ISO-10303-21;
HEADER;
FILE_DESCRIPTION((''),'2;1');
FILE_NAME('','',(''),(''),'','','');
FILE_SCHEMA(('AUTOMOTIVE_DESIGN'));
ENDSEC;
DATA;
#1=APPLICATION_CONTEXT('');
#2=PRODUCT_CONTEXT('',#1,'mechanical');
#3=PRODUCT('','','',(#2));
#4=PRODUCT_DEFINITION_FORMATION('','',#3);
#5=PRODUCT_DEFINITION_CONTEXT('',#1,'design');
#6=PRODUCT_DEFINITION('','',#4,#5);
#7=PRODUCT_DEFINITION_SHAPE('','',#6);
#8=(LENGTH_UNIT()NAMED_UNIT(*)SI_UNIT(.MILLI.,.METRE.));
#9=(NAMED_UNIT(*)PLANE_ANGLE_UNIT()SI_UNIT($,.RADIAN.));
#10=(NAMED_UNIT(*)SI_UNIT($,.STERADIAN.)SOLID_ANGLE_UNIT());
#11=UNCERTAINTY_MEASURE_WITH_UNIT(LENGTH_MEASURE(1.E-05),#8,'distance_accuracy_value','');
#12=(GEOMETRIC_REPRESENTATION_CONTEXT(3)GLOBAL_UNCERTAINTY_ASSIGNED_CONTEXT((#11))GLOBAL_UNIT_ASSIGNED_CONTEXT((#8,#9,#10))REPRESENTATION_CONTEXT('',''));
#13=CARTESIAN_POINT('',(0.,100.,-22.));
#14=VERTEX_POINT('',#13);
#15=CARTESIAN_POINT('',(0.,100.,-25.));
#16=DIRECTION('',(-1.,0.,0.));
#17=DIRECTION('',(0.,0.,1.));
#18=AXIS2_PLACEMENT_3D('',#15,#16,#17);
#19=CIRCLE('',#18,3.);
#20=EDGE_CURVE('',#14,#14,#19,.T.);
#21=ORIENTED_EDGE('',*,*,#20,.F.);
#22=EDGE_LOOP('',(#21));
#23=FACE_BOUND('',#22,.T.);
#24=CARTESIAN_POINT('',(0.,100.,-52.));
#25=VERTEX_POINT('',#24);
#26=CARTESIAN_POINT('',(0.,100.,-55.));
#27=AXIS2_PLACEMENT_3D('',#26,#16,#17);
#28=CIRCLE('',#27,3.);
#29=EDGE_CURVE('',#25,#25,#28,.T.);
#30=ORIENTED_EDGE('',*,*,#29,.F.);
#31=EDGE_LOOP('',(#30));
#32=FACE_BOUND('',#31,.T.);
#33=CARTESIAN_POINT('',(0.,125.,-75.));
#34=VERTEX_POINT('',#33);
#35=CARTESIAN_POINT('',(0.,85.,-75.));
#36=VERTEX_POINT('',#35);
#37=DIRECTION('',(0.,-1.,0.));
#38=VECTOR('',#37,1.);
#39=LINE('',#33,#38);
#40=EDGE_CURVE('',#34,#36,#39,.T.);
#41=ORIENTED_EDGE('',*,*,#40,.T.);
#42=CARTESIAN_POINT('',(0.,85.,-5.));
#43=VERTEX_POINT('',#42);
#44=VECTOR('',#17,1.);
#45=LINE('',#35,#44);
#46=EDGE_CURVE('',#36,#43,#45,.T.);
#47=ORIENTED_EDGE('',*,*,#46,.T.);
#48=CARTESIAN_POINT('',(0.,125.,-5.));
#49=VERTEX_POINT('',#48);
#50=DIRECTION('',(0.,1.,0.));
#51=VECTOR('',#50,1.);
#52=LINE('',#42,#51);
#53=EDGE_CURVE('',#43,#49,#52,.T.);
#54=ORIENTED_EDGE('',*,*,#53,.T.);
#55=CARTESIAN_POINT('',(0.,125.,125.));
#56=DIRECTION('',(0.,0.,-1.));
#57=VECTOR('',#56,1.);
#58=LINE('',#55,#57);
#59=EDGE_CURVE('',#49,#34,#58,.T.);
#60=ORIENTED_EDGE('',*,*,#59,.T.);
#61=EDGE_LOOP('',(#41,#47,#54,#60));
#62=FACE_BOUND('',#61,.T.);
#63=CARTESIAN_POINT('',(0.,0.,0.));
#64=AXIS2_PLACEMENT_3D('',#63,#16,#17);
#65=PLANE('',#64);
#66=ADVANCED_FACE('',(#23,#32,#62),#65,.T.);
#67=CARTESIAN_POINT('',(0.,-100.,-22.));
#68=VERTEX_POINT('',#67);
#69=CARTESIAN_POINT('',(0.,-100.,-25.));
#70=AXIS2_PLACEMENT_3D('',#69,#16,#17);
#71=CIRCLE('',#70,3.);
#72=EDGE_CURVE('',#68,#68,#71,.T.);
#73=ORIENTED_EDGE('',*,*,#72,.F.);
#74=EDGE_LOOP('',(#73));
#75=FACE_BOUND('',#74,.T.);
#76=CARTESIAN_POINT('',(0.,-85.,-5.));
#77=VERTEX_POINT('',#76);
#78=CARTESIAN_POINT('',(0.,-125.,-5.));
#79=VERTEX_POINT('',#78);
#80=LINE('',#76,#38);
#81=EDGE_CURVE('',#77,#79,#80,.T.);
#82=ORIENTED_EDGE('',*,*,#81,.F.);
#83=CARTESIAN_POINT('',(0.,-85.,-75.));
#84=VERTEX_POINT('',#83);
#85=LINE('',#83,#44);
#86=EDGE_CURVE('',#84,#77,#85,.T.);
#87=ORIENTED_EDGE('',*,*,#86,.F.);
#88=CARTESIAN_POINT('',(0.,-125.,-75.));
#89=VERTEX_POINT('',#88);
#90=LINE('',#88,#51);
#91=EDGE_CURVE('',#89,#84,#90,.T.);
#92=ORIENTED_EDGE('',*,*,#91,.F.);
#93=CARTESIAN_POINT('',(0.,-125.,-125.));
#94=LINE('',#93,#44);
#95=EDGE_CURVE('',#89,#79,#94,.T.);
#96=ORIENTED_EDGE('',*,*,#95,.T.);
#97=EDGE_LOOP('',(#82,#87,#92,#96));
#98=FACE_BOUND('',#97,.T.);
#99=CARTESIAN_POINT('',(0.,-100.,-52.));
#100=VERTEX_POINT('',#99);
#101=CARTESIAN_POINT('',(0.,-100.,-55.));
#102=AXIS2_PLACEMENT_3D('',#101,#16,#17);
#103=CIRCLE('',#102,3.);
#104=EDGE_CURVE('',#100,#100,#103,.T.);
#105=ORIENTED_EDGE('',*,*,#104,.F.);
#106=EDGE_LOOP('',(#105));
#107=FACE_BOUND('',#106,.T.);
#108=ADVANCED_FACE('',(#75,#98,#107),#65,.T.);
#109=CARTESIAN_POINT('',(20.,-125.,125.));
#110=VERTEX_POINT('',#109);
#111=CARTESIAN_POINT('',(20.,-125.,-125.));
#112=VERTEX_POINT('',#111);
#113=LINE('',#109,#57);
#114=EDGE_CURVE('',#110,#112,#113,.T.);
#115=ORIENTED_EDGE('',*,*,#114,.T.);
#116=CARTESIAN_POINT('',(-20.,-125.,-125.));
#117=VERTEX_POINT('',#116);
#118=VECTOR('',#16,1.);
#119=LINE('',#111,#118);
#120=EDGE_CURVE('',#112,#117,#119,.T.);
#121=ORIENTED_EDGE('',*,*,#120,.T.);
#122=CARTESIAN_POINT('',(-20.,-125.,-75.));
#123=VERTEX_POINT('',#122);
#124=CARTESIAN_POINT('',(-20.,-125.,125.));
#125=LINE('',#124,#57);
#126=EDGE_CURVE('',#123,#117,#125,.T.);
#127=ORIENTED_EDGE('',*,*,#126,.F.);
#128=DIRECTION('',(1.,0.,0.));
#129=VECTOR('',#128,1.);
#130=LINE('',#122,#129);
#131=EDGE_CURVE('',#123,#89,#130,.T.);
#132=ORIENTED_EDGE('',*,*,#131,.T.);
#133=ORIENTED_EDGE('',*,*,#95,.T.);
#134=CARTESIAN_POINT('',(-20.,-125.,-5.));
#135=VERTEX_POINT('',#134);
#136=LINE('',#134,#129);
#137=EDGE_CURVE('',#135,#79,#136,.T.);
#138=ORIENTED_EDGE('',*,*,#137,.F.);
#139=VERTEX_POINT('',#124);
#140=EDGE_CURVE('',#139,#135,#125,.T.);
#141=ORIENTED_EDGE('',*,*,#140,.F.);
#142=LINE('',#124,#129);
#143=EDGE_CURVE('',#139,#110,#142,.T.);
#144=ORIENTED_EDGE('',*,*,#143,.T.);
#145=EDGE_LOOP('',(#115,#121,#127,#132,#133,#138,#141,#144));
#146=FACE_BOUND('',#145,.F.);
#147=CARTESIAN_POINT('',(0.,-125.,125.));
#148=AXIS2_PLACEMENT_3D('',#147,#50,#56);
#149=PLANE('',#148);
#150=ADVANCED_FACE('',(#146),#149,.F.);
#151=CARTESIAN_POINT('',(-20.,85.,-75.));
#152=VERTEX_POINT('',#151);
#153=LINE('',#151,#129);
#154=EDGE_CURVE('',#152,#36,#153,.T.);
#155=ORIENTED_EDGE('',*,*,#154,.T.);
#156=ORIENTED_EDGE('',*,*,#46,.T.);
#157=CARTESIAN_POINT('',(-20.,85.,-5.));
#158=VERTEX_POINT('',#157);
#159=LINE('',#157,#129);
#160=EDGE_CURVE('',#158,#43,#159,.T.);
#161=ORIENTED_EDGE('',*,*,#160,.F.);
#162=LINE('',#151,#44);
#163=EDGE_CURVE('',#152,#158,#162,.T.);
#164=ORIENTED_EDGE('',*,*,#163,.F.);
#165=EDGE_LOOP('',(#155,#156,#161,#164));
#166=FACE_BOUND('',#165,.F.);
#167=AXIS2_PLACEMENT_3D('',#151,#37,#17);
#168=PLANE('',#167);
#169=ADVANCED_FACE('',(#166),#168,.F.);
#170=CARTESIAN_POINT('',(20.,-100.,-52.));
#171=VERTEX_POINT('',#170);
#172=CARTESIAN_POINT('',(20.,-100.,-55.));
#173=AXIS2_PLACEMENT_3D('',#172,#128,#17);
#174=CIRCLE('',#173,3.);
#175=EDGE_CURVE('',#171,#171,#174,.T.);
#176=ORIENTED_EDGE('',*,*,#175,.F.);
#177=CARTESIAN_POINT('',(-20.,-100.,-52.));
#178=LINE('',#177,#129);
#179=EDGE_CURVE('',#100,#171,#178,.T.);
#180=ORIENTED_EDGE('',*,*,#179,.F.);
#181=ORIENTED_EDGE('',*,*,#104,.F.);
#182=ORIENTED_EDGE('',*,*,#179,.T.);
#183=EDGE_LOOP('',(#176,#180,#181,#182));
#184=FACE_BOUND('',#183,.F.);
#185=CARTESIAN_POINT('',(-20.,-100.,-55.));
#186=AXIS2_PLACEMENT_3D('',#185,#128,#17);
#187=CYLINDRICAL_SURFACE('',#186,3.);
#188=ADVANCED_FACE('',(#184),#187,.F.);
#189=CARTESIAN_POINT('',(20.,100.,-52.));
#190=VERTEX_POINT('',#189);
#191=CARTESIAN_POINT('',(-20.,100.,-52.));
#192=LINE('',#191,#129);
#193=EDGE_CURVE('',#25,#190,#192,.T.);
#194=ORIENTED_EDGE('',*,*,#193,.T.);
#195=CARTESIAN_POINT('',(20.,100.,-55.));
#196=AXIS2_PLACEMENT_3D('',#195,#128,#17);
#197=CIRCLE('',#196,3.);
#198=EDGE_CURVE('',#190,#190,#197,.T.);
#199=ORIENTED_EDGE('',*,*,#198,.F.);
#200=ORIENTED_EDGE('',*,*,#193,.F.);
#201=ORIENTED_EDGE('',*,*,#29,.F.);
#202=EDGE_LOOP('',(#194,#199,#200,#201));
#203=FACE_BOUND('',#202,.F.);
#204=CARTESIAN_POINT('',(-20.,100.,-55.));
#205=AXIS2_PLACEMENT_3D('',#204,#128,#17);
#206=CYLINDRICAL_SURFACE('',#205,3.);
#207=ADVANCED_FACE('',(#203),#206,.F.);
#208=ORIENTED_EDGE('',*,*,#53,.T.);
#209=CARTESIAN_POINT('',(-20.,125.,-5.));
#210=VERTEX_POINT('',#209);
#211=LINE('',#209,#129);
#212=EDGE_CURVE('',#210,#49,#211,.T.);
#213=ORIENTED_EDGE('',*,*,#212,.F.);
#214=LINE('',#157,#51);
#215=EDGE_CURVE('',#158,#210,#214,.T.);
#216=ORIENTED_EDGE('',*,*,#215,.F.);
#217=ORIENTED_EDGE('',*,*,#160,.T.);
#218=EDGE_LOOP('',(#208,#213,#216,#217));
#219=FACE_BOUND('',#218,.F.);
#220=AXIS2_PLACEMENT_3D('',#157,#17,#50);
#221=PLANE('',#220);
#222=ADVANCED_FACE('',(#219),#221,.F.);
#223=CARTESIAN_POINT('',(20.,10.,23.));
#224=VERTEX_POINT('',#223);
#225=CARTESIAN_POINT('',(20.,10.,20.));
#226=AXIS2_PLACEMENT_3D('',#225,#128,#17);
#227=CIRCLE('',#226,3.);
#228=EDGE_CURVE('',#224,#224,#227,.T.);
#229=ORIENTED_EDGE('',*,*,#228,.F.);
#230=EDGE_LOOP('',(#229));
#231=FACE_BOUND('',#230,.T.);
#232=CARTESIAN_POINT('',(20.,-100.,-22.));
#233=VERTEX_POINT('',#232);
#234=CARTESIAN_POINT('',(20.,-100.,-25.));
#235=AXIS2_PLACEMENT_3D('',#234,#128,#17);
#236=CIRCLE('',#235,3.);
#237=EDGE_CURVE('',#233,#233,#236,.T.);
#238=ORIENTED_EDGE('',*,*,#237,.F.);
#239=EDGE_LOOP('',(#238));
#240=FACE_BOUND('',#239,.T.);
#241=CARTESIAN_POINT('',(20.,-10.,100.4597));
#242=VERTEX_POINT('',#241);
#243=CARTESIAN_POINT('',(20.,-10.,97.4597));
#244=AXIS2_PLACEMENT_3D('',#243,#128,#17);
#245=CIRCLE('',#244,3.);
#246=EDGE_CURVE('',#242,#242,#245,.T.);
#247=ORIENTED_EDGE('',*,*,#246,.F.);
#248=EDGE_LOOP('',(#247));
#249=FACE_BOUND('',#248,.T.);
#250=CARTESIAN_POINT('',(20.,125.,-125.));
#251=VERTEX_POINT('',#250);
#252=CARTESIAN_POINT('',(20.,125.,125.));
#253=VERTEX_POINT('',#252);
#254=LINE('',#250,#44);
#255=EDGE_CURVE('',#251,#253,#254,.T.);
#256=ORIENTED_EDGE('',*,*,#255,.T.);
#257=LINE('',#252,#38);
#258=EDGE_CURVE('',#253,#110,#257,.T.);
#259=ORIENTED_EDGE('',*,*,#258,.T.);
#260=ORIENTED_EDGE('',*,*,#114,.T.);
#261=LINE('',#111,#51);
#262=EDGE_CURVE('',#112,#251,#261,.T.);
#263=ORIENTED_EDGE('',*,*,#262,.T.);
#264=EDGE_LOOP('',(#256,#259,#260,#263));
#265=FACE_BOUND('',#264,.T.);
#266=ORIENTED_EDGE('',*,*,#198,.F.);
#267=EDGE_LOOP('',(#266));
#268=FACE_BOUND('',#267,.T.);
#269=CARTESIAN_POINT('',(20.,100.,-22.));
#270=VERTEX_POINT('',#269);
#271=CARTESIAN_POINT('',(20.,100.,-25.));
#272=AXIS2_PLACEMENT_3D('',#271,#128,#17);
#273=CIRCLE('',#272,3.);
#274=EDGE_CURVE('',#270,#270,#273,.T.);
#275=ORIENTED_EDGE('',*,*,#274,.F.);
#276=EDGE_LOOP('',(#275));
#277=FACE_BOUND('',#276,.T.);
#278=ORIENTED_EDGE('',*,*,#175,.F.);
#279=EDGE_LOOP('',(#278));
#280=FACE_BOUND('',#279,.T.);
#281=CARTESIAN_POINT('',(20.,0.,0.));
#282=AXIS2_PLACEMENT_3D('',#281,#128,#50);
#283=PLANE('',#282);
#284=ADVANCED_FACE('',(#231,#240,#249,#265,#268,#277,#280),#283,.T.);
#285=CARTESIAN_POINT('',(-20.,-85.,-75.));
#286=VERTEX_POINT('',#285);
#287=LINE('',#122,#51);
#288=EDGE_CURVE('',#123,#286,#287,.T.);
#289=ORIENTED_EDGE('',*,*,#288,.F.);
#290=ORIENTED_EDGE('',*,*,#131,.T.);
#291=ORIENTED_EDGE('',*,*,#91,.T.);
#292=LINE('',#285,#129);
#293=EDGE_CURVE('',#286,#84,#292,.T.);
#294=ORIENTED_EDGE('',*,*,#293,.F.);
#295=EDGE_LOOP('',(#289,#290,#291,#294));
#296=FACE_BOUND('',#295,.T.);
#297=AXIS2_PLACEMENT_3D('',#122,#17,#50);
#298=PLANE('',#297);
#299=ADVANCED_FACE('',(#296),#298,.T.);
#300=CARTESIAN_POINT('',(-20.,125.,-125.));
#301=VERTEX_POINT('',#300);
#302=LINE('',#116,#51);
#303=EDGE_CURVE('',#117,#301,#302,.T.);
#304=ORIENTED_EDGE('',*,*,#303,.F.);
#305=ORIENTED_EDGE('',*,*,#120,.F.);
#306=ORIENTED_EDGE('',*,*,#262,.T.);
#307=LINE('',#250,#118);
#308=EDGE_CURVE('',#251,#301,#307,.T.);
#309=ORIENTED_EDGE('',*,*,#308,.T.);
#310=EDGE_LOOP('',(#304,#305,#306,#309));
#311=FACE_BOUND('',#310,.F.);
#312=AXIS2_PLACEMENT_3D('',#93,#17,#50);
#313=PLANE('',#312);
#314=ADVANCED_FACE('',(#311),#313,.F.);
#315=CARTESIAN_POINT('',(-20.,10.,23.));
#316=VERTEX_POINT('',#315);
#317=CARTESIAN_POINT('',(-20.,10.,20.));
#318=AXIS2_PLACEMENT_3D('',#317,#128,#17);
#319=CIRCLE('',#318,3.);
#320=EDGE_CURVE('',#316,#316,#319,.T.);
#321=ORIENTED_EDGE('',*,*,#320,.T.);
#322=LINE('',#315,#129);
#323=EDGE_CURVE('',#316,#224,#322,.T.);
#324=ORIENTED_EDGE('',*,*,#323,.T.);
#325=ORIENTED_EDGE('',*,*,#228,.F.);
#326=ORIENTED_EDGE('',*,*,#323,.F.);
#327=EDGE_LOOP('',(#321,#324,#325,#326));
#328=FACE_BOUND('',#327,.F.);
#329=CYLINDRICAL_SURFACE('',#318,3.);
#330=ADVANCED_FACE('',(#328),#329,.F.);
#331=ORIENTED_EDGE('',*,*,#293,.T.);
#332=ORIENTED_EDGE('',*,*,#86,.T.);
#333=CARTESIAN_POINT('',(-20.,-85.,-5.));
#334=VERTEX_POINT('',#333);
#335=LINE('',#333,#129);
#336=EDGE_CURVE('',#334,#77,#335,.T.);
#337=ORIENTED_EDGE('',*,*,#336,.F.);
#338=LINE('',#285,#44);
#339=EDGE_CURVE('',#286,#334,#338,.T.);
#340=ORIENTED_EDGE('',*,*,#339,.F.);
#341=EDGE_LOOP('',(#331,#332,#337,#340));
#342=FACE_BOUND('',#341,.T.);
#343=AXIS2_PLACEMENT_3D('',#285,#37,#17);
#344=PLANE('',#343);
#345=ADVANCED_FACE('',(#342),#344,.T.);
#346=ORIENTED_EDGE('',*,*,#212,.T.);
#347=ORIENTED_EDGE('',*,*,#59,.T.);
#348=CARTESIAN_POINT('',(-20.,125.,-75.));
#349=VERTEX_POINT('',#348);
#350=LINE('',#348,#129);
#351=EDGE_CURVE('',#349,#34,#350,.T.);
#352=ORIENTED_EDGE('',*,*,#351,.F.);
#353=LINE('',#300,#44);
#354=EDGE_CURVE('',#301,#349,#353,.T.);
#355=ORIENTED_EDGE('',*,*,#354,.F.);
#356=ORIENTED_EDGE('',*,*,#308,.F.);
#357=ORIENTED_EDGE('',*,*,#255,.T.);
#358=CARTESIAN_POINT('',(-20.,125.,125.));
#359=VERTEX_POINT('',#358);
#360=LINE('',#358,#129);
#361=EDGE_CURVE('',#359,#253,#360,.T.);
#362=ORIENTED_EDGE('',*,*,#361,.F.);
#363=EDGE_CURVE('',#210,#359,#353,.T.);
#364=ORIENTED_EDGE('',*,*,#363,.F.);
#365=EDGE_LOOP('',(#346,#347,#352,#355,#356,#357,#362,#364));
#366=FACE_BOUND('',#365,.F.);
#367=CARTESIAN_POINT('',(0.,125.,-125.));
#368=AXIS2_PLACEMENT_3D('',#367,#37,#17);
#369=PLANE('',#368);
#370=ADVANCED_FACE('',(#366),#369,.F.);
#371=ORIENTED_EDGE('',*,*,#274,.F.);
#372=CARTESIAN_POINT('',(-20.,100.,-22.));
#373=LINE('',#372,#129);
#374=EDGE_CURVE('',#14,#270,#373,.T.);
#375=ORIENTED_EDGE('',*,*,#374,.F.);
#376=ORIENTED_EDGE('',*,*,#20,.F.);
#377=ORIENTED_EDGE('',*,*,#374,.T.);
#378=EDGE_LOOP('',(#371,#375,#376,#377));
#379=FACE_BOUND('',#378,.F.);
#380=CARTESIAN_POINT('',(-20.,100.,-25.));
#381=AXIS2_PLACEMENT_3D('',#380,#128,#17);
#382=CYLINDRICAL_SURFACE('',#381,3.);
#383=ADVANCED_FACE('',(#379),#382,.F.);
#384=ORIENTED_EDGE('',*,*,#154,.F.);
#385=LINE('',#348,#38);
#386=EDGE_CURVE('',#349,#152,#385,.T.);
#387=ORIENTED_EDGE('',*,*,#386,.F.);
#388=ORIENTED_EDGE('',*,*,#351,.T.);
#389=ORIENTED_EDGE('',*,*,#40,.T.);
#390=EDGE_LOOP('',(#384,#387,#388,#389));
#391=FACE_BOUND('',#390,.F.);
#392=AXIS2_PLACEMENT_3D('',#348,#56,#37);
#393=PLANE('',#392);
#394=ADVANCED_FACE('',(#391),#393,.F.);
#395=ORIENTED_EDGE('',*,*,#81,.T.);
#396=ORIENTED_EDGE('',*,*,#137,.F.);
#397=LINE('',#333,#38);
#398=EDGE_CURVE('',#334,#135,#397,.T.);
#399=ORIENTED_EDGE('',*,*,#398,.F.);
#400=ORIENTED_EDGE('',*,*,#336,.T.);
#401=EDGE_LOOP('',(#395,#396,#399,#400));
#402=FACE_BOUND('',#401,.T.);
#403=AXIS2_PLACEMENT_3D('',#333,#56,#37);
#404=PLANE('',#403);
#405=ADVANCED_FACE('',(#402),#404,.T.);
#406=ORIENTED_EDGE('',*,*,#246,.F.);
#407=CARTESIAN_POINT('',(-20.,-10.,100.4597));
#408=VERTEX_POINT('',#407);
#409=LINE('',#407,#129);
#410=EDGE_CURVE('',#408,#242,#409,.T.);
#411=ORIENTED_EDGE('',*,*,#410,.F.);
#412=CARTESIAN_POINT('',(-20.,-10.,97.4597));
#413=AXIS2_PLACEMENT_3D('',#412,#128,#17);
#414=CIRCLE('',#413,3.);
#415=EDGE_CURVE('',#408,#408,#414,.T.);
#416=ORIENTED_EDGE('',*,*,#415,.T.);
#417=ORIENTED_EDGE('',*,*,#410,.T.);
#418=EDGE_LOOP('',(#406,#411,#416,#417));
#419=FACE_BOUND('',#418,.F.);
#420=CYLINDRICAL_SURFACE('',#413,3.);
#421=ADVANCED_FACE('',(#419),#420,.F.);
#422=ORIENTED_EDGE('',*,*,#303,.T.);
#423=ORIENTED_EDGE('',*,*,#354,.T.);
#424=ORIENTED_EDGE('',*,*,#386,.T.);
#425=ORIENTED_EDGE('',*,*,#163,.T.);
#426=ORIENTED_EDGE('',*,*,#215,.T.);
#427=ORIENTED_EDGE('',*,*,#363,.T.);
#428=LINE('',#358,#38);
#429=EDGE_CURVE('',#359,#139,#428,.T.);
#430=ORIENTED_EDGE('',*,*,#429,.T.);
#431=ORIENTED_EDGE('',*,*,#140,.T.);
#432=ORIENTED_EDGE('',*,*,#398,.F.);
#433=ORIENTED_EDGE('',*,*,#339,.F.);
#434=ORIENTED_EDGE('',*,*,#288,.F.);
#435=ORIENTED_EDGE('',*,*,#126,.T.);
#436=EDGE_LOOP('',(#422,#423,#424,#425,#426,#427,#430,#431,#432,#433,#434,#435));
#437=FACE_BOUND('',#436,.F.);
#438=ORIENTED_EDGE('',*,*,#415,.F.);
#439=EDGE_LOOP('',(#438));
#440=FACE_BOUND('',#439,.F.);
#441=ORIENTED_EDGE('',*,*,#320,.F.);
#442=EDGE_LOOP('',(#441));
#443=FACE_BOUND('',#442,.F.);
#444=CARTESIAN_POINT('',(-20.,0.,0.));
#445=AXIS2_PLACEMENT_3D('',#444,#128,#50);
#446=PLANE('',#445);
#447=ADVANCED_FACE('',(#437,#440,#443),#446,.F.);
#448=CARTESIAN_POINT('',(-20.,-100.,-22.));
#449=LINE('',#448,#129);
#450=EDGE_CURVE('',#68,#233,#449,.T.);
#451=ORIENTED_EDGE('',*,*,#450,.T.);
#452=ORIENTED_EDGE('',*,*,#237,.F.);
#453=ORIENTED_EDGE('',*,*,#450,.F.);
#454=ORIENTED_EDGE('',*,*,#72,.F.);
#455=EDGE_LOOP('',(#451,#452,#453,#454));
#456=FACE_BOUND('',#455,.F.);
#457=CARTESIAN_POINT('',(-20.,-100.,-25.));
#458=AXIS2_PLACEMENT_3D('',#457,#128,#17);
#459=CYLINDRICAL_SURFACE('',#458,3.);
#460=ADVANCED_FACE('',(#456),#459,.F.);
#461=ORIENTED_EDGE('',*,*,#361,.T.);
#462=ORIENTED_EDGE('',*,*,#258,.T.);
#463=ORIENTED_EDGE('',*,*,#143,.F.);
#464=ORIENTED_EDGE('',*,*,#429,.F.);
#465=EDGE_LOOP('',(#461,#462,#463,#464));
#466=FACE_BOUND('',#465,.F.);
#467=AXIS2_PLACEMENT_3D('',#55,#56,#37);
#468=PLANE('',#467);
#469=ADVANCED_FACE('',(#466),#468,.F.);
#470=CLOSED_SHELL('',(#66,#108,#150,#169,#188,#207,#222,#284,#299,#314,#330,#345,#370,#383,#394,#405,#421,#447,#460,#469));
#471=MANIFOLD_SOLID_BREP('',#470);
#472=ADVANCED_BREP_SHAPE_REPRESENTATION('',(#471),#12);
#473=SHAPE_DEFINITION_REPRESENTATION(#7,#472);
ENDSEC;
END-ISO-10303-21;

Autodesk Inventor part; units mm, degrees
ref_plane "YZ Plane" through (0, 0, 0) normal (1, 0, 0) x (0, 1, 0)
ref_plane "XY Plane" through (0, 0, 0) normal (0, 0, 1) x (1, 0, 0)
sketch "Sketch1" plane through (0, 0, 0) normal (1, 0, 0) x (0, 1, 0)
  line L0 (0, 175) -> (0, -175) construction
  line L1 (-175, 0) -> (175, 0) construction
  line L2 (125, 125) -> (-125, 125)
  line L3 (-125, 125) -> (-125, -125)
  line L4 (-125, -125) -> (125, -125)
  line L5 (125, -125) -> (125, 125)
  point P0 (0, 0)
  dimension "d0" = 250
  dimension "d1" = 250
extrude "Main_Body" add sketch "Sketch1" along normal mid plane 40
sketch "Sketch4" plane through (-20, 0, 0) normal (-1, 0, 0) x (0, 0, 1)
  line L0 (-175, 0) -> (175, 0) construction
  line L1 (0, 175) -> (0, -175) construction
  line L2 (-55, 100) -> (-25, 100) construction
  line L3 (-55, -100) -> (-25, -100) construction
  line L4 (-40, 100) -> (-40, -100) construction
  line L5 (20, 10) -> (97.4597, -10) construction
  point P0 (0, 0)
  dimension "d10" = 30
  dimension "d12" = 40
  dimension "d13" = 200
  dimension "d21" = 80
  dimension "d22" = 60
  dimension "d23" = 10
  dimension "d24" = 10
hole "Hole1" at (-20, 100, -55) at (-20, 100, -25) at (-20, -100, -55) at (-20, -100, -25) at (-20, 10, 20) at (-20, -10, 97.4597) direction (1, 0, 0) diameter 6 end through all
sketch "Sketch5" plane through (-20, 0, 0) normal (-1, 0, 0) x (0, 0, 1)
  line L0 (125, 125) -> (-125, 125) projected
  line L1 (-75, 125) -> (-75, 85)
  line L2 (-75, 85) -> (-5, 85)
  line L3 (-5, 85) -> (-5, 125)
  line L4 (-40, 100) -> (-40, -100) construction
  line L5 (-175, 0) -> (175, 0) construction
  line L6 (-75, -125) -> (-75, -85)
  line L7 (-75, -85) -> (-5, -85)
  line L8 (-5, -85) -> (-5, -125)
  line L9 (-125, -125) -> (125, -125) projected
  circle A0 centre (-55, 100) radius 3 projected
  circle A1 centre (-25, 100) radius 3 projected
  circle A2 centre (-55, -100) radius 3 projected
  circle A3 centre (-25, -100) radius 3 projected
  point P0 (0, 0)
  dimension "d32" = 40
  dimension "d33" = 70
extrude "L: Rock End Bracket Pocket" cut sketch "Sketch5" against normal up to surface (20 mm away)
sketch "Sketch8" plane through (20, 0, 0) normal (1, 0, 0) x (0, 0, -1)
  line L0 (40, 100) -> (40, -100) construction
  line L1 (-125, 125) -> (125, 125) projected
  line L2 (9.0545, 125) -> (9.0545, 85.102)
  line L3 (9.0545, 85.102) -> (70.9455, 85.102)
  line L4 (70.9455, 85.102) -> (70.9455, 125)
  line L5 (-175, 0) -> (175, 0) construction
  line L6 (9.0545, -125) -> (9.0545, -85.102)
  line L7 (9.0545, -85.102) -> (70.9455, -85.102)
  line L8 (70.9455, -85.102) -> (70.9455, -125)
  line L9 (-125, -125) -> (125, -125) projected
  circle A0 centre (25, 100) radius 3 projected
  circle A1 centre (55, 100) radius 3 projected
  circle A2 centre (25, -100) radius 3 projected
  circle A3 centre (55, -100) radius 3 projected
  point P0 (0, 0)
  dimension "d48" = 61.891
  dimension "d49" = 39.898
extrude "R: Rod End Bracket Pocket" [suppressed]
sketch "Sketch9" plane through (-20, 0, 0) normal (-1, 0, 0) x (0, 0, 1)
  line L0 (-40, 100) -> (-40, -100) construction
  line L1 (-175, 0) -> (175, 0) construction
  circle A0 centre (-40, 0) radius 28.5745
  point P0 (0, 0)
  dimension "d52" = 57.149
extrude "Axle Bore" [suppressed]
sketch "Sketch10" plane through (-20, 0, 0) normal (-1, 0, 0) x (0, 0, 1)
  circle A0 centre (-40, 0) radius 27.5 projected
  circle A1 centre (-40, 0) radius 37.9265
  point P0 (0, 0)
  dimension "d55" = 75.853
extrude "Bearing Pocket 1" [suppressed]
sketch "Sketch11" plane through (20, 0, 0) normal (1, 0, 0) x (0, 0, -1)
  circle A0 centre (40, 0) radius 27.5 projected
  circle A1 centre (40, 0) radius 38.383
  point P0 (0, 0)
  dimension "d58" = 76.766
extrude "Bearing Pocket 2" [suppressed]
ref_plane "Work Plane1" through (-20, 125, -125) normal (0, 1, 0) x (-1, 0, 0)
sketch "Sketch12" plane through (-20, 125, -125) normal (0, 1, 0) x (-1, 0, 0)
  line L0 (-20, -50) -> (-20, 300) construction
  line L1 (-48, 125) -> (8, 125) construction
  point P0 (-20, 125)
  point P1 (0, 85)
  point P2 (0, 85)
  point P3 (0, 85)
  point P4 (-20, 20.88)
  dimension "d61" = 64.12
hole "Hole4" [suppressed]
sketch "Sketch13" plane through (20, 125, -125) normal (0, 0, -1) x (-1, 0, 0)
  line L0 (20, -300) -> (20, 50) construction
  line L1 (-8, -125) -> (48, -125) construction
  line L2 (40, -203.192) -> (0, -203.192)
  line L3 (0, -203.192) -> (0, -230.998)
  line L4 (0, -230.998) -> (40, -230.998)
  line L5 (40, -230.998) -> (40, -203.192)
  line L6 (0, -217.095) -> (40, -217.095) construction
  line L7 (0, -250) -> (0, 0) projected
  line L8 (40, 0) -> (40, -250) projected
  point P0 (20, -125)
  dimension "d69" = 92.095
  dimension "d70" = 27.806
extrude "Extrusion9" [suppressed]
equation "\"d32\" = Rod_End_Bracket_Slot_Height"
equation "\"d33\" = Rod_End_Bracket_Slot_Width"
equation "\"Rod_End_Bracket_Slot_Height\" = 40"
equation "\"Rod_End_Bracket_Slot_Width\" = 70"
properties part number "Suspension_Upright_V2_Topology_Baseline_V1"
